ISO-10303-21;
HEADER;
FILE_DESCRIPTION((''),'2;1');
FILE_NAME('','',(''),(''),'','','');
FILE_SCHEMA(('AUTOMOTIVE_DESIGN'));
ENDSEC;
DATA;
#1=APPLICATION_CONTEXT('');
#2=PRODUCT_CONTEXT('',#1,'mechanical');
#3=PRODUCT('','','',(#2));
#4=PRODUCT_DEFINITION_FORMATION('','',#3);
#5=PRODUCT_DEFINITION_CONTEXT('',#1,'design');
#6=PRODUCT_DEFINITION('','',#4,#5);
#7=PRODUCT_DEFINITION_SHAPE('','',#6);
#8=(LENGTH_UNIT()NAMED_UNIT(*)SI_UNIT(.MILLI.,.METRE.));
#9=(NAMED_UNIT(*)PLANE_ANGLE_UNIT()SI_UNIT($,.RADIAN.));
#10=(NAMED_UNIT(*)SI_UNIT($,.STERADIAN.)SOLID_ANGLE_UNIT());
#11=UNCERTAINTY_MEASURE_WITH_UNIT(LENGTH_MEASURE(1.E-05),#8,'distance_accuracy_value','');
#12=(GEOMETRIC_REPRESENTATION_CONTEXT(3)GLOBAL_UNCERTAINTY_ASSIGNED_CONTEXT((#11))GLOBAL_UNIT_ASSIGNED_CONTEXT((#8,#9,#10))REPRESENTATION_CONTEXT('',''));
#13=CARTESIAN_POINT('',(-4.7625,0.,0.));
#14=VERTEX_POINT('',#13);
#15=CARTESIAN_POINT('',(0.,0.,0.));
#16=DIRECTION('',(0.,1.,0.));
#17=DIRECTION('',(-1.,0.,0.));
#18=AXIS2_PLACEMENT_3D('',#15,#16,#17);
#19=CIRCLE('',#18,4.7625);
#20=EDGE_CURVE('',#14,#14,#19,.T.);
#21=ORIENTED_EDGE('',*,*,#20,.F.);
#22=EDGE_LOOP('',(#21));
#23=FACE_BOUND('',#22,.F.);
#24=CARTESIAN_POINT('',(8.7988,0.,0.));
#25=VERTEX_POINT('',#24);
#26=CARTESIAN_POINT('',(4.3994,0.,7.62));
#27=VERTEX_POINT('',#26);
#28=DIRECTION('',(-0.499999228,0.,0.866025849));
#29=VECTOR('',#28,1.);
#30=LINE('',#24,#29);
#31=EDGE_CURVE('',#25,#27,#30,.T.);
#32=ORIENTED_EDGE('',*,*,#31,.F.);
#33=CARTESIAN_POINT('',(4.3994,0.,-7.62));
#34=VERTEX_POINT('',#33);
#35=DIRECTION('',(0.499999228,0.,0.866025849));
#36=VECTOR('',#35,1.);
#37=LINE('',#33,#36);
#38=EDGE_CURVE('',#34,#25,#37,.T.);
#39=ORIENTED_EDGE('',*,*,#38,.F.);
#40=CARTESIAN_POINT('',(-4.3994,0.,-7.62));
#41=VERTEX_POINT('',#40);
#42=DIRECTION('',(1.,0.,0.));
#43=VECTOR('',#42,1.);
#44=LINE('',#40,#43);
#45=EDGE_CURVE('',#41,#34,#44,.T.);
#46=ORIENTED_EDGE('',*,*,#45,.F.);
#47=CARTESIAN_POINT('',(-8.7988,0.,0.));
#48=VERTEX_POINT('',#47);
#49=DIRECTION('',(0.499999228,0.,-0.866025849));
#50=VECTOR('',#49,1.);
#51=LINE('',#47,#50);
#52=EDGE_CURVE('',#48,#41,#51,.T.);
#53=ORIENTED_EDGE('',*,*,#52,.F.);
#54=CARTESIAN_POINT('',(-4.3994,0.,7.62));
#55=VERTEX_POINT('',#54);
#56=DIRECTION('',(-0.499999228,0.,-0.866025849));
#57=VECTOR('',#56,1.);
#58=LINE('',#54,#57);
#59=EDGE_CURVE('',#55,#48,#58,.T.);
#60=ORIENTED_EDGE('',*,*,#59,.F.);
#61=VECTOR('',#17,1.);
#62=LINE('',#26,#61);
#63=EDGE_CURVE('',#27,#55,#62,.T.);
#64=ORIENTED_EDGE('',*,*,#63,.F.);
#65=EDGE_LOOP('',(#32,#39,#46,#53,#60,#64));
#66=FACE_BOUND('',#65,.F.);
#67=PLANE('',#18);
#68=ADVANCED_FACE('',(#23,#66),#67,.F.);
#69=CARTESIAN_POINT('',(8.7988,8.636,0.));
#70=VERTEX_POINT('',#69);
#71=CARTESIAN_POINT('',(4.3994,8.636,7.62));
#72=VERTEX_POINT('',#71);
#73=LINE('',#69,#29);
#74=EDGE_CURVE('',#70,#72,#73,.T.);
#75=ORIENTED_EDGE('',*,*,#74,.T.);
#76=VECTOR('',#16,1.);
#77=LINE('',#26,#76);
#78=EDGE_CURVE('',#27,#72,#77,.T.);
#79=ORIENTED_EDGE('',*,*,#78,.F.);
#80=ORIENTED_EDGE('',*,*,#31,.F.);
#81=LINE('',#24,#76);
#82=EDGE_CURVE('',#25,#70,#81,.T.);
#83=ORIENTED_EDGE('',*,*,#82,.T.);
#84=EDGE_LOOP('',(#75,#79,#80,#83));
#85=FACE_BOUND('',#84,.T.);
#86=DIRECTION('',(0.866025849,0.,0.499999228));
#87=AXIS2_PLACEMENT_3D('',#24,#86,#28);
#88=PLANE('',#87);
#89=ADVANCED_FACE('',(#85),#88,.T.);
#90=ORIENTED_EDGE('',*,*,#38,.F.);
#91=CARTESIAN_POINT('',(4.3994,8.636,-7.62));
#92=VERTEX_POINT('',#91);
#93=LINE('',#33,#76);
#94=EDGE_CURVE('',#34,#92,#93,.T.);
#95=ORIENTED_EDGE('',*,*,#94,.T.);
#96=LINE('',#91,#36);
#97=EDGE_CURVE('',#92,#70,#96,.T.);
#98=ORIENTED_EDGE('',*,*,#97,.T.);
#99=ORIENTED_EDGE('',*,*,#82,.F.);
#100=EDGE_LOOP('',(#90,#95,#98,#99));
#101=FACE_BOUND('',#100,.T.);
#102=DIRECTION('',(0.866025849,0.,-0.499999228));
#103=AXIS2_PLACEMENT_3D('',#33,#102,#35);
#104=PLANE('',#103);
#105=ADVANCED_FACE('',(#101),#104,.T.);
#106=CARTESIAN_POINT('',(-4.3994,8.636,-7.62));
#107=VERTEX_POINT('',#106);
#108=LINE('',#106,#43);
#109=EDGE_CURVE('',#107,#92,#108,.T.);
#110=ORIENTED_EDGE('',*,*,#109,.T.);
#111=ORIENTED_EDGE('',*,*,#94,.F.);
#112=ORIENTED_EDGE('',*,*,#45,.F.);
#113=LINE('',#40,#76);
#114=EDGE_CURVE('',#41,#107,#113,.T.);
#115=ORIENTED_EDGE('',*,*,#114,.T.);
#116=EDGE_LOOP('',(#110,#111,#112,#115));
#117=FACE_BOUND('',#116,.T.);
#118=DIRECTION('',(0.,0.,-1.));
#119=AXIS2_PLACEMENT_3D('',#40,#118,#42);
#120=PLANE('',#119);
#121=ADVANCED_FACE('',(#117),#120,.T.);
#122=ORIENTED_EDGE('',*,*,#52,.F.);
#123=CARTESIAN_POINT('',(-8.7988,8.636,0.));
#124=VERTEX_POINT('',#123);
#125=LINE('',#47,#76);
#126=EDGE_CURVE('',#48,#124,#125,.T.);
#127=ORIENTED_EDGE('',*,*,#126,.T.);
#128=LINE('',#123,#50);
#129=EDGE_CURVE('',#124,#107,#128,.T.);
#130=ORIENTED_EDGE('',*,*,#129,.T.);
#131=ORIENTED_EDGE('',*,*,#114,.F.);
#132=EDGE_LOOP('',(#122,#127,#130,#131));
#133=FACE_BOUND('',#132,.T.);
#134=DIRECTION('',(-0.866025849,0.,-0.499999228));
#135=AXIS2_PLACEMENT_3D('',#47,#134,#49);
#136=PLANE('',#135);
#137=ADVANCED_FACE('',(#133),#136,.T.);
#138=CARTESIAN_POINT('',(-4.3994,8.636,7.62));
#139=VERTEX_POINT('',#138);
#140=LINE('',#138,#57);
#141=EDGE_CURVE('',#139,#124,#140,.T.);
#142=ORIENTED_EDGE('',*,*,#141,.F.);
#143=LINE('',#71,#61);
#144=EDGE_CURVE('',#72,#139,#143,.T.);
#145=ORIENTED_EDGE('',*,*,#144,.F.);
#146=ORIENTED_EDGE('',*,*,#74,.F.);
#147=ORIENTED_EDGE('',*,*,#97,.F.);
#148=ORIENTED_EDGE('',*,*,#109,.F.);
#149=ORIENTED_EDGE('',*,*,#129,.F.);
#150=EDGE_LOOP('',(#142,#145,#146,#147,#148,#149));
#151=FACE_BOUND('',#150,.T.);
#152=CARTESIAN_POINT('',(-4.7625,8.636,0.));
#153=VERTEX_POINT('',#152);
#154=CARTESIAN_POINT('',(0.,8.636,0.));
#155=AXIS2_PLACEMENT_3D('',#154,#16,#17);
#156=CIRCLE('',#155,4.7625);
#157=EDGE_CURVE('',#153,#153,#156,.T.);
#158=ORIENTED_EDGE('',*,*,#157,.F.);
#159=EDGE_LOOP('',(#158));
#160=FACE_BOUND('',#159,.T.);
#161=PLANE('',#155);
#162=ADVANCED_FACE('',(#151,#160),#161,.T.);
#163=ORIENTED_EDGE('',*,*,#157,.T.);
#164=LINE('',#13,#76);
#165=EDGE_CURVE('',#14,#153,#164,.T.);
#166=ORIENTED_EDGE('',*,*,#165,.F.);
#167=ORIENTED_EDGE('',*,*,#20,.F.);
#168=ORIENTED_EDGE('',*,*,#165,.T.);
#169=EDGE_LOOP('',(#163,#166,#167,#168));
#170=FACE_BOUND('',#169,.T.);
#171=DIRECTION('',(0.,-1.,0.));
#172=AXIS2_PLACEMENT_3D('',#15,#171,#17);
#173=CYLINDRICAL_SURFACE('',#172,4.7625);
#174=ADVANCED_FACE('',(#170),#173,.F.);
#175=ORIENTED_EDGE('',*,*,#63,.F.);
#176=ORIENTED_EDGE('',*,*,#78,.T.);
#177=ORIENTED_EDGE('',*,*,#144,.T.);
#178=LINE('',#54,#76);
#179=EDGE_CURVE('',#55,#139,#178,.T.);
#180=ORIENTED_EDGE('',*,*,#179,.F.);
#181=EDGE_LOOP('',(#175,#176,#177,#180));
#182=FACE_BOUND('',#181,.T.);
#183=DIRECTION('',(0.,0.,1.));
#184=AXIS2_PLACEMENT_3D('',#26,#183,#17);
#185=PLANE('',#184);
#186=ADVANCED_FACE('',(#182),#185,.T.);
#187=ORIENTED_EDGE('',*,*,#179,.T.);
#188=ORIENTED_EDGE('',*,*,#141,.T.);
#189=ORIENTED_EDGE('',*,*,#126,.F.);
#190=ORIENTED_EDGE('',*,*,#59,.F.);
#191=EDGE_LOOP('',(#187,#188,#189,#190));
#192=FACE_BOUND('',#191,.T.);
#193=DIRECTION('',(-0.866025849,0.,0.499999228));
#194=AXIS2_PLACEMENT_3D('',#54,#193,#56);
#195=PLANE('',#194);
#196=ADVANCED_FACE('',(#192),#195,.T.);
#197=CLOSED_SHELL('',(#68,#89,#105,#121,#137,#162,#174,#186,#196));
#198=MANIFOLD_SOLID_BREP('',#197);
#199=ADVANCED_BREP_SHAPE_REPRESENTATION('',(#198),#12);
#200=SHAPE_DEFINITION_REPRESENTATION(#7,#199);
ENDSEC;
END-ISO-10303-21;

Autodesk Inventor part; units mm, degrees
ref_plane "YZ Plane" through (0, 0, 0) normal (1, 0, 0) x (0, 1, 0)
ref_plane "XZ Plane" through (0, 0, 0) normal (0, 1, 0) x (-1, 0, 0)
ref_plane "XY Plane" through (0, 0, 0) normal (0, 0, 1) x (1, 0, 0)
sketch "Sketch1" plane through (0, 0, 0) normal (0, 1, 0) x (-1, 0, 0)
  line L0 (4.3994, -7.62) -> (-4.3994, -7.62)
  line L1 (-4.3994, -7.62) -> (-8.7988, 0)
  line L2 (-8.7988, 0) -> (-4.3994, 7.62)
  line L3 (-4.3994, 7.62) -> (4.3994, 7.62)
  line L4 (4.3994, 7.62) -> (8.7988, 0)
  line L5 (8.7988, 0) -> (4.3994, -7.62)
  circle A0 centre (0, 0) radius 4.7625
  dimension "d0" = 15.24
  dimension "d1" = 9.525
extrude "Extrusion1" add sketch "Sketch1" along normal blind 8.636
properties part number "3-8 Inch Hex Nut"
